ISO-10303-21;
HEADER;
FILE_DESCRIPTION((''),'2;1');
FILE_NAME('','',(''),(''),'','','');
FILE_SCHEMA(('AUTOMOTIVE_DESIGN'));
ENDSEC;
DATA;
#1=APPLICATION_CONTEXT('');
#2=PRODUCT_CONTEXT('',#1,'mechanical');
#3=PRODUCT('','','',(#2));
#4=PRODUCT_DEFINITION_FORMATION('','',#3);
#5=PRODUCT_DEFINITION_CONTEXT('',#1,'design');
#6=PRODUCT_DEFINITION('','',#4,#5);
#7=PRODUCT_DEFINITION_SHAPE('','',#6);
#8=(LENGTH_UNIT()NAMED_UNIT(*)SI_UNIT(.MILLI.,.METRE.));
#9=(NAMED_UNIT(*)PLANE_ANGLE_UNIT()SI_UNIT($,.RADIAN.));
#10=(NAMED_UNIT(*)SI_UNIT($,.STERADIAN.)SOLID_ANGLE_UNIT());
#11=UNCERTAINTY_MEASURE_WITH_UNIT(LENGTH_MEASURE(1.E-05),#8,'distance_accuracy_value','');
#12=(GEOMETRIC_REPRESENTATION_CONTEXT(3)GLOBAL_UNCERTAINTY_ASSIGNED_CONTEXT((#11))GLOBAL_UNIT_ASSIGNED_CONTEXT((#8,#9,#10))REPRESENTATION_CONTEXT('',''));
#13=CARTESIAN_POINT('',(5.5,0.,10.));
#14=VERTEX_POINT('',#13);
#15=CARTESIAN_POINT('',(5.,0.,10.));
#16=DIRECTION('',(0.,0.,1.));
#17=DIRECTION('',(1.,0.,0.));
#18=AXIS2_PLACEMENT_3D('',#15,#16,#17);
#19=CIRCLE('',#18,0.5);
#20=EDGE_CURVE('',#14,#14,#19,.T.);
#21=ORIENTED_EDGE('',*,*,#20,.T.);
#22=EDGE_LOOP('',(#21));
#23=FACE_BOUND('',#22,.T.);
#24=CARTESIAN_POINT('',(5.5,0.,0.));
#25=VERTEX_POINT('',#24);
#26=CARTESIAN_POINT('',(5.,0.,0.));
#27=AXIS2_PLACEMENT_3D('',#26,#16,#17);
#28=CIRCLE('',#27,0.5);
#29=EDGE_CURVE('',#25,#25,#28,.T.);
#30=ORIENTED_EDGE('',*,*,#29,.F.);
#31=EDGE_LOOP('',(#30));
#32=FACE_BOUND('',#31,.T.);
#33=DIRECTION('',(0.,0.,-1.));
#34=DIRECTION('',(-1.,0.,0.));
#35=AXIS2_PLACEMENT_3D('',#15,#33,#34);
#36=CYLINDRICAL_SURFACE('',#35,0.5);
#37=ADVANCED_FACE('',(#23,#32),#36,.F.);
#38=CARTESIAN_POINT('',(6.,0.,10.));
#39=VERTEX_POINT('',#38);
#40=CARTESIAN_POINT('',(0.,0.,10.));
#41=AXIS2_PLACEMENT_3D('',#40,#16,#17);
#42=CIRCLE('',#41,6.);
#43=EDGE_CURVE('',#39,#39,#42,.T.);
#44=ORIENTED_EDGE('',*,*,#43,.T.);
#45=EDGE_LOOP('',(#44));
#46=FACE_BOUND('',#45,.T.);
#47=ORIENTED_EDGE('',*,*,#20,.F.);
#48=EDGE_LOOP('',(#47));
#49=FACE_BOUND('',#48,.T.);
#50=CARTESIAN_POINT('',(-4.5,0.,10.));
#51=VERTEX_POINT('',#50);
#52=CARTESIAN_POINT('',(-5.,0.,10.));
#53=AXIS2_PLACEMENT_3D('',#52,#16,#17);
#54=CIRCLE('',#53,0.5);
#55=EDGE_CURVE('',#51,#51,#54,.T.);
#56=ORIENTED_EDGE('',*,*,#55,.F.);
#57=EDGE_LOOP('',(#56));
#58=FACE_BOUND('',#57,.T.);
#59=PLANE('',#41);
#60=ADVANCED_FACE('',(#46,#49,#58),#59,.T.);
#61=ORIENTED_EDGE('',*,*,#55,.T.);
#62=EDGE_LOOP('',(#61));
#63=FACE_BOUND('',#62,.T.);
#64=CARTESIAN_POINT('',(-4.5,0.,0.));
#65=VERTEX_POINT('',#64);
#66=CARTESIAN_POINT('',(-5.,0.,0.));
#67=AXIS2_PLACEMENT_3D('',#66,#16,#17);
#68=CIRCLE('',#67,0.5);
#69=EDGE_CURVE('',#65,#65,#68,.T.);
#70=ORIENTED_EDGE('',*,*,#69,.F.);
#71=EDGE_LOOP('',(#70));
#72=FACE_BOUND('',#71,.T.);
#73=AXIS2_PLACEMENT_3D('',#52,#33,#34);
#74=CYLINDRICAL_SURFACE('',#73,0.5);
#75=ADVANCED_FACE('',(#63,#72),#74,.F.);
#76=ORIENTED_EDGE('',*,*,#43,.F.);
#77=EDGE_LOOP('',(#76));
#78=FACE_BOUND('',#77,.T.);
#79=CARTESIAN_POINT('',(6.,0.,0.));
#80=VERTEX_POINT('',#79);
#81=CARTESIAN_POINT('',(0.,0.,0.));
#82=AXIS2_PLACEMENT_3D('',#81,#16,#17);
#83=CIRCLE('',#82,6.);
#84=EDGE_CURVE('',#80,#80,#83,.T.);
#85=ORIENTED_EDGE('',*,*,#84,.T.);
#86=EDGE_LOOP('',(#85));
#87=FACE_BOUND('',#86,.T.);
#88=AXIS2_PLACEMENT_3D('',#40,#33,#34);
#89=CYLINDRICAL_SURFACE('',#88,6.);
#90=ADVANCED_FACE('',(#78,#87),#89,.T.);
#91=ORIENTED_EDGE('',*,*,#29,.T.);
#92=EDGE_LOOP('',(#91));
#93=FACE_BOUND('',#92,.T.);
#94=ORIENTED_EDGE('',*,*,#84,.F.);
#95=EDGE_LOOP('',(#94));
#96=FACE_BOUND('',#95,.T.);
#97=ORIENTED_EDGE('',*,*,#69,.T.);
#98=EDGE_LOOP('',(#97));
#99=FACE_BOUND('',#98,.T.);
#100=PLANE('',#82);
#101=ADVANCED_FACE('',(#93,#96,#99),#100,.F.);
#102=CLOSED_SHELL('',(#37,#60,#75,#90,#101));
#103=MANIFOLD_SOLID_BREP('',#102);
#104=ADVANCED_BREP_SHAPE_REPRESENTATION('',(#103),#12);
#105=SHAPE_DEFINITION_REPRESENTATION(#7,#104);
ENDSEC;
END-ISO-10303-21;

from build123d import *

# Parameters (mm, degrees)
SKETCH2_R           = 6
SKETCH2_R_2         = 0.5
BOSS_EXTRUDE2_DEPTH = 10


with BuildPart() as part:
    # Sketch2 → Boss-Extrude2 (new body)
    with BuildSketch(Plane.XY):
        Circle(SKETCH2_R)
        with Locations((-5, 0)):
            Circle(SKETCH2_R_2, mode=Mode.SUBTRACT)
        with Locations((5, 0)):
            Circle(SKETCH2_R_2, mode=Mode.SUBTRACT)
    extrude(amount=BOSS_EXTRUDE2_DEPTH)


solid = part.part
